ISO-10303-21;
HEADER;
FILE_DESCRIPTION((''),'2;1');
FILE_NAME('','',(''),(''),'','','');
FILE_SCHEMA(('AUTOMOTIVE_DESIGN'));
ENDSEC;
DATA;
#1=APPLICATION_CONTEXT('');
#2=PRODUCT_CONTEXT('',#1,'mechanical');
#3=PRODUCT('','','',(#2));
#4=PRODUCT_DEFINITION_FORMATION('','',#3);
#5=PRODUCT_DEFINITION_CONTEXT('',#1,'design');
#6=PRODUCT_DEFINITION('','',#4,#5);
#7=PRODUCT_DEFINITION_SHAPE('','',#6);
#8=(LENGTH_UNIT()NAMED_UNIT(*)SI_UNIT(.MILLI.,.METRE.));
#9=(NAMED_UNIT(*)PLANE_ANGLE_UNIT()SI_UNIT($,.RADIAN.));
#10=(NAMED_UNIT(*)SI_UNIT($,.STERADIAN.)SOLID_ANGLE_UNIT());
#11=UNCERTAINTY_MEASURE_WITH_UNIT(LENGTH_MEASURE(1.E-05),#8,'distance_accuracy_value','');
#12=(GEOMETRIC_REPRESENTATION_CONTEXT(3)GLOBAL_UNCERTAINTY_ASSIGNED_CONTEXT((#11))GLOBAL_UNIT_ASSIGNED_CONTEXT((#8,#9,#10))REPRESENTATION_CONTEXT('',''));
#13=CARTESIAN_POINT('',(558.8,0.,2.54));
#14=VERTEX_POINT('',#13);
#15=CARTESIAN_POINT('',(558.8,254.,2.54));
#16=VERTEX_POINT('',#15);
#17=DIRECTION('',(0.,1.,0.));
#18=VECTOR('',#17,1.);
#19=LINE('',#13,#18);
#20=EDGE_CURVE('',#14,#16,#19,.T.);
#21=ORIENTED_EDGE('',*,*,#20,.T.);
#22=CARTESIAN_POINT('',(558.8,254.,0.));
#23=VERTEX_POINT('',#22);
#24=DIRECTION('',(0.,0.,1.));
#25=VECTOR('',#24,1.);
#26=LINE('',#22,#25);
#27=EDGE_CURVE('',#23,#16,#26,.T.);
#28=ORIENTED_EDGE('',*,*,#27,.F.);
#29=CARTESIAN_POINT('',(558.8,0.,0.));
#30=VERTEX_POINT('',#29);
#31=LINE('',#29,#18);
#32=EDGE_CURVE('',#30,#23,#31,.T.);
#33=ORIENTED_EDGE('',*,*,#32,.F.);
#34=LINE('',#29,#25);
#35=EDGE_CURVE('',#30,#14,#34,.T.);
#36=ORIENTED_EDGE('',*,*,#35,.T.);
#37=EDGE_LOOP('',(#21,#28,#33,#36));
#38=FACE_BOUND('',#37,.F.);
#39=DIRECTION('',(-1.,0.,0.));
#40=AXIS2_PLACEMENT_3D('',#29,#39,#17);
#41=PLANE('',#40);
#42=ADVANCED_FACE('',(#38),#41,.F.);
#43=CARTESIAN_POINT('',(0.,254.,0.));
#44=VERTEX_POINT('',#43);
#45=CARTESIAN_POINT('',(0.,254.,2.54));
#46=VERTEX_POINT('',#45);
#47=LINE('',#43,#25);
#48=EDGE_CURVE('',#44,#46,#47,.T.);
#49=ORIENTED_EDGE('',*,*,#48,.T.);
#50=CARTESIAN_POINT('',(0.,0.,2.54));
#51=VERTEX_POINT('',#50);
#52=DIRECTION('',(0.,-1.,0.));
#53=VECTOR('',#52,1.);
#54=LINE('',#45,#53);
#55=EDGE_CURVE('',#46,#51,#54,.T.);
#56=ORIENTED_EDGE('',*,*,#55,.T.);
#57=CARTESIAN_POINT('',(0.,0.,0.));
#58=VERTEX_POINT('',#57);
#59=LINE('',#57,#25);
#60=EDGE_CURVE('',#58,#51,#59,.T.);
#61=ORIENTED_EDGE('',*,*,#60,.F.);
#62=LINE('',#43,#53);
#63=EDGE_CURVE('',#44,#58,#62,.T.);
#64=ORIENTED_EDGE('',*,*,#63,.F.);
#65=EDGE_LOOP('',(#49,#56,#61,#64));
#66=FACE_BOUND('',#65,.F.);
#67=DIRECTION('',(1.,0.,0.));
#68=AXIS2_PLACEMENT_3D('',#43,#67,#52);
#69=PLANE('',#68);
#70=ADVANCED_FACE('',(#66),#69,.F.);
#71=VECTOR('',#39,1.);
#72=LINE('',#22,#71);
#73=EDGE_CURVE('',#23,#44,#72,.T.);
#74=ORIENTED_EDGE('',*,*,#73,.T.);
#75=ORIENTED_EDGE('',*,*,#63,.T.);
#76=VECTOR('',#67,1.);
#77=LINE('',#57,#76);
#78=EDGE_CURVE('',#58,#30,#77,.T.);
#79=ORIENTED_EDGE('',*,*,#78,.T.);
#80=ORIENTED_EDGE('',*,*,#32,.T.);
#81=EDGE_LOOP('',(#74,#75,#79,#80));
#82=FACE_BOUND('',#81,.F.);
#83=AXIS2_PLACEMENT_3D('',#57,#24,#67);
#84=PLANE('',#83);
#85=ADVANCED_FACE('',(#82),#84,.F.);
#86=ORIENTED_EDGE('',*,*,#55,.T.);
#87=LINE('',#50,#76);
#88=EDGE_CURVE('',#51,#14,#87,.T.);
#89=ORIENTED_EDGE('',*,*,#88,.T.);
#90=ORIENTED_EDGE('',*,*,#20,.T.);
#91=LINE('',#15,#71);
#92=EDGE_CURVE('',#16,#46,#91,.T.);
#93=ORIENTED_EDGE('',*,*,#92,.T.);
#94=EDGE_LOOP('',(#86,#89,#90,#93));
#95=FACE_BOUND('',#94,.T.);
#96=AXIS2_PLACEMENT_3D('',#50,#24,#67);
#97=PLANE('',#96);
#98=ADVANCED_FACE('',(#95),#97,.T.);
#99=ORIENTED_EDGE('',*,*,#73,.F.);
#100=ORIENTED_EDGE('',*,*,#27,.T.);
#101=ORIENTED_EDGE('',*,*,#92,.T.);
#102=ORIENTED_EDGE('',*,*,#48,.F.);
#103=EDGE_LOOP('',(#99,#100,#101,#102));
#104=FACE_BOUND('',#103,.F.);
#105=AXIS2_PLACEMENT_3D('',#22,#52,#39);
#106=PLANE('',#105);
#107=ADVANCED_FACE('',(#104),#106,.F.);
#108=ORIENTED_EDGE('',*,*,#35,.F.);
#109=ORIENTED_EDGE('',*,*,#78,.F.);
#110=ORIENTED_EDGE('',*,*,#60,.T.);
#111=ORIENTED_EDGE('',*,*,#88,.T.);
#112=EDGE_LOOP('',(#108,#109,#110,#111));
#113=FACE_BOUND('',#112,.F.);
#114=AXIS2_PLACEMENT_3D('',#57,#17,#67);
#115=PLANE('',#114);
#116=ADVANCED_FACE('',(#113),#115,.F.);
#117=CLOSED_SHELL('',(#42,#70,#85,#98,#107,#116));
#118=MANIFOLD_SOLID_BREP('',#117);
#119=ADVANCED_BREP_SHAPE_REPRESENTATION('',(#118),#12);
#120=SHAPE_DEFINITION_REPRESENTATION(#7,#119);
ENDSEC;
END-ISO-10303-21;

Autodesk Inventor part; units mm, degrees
ref_plane "YZ Plane" through (0, 0, 0) normal (1, 0, 0) x (0, 1, 0)
ref_plane "XZ Plane" through (0, 0, 0) normal (0, 1, 0) x (-1, 0, 0)
ref_plane "XY Plane" through (0, 0, 0) normal (0, 0, 1) x (1, 0, 0)
sketch "Sketch1" plane through (0, 0, 0) normal (0, 0, 1) x (1, 0, 0)
  line L0 (0, 0) -> (558.8, 0)
  line L1 (558.8, 0) -> (558.8, 254)
  line L2 (558.8, 254) -> (0, 254)
  line L3 (0, 254) -> (0, 0)
  dimension "d0" = 558.8
  dimension "d1" = 254
extrude "Extrusion1" add sketch "Sketch1" along normal blind 2.54
properties part number "innHousingPlate" material "Copper, Alloy"
